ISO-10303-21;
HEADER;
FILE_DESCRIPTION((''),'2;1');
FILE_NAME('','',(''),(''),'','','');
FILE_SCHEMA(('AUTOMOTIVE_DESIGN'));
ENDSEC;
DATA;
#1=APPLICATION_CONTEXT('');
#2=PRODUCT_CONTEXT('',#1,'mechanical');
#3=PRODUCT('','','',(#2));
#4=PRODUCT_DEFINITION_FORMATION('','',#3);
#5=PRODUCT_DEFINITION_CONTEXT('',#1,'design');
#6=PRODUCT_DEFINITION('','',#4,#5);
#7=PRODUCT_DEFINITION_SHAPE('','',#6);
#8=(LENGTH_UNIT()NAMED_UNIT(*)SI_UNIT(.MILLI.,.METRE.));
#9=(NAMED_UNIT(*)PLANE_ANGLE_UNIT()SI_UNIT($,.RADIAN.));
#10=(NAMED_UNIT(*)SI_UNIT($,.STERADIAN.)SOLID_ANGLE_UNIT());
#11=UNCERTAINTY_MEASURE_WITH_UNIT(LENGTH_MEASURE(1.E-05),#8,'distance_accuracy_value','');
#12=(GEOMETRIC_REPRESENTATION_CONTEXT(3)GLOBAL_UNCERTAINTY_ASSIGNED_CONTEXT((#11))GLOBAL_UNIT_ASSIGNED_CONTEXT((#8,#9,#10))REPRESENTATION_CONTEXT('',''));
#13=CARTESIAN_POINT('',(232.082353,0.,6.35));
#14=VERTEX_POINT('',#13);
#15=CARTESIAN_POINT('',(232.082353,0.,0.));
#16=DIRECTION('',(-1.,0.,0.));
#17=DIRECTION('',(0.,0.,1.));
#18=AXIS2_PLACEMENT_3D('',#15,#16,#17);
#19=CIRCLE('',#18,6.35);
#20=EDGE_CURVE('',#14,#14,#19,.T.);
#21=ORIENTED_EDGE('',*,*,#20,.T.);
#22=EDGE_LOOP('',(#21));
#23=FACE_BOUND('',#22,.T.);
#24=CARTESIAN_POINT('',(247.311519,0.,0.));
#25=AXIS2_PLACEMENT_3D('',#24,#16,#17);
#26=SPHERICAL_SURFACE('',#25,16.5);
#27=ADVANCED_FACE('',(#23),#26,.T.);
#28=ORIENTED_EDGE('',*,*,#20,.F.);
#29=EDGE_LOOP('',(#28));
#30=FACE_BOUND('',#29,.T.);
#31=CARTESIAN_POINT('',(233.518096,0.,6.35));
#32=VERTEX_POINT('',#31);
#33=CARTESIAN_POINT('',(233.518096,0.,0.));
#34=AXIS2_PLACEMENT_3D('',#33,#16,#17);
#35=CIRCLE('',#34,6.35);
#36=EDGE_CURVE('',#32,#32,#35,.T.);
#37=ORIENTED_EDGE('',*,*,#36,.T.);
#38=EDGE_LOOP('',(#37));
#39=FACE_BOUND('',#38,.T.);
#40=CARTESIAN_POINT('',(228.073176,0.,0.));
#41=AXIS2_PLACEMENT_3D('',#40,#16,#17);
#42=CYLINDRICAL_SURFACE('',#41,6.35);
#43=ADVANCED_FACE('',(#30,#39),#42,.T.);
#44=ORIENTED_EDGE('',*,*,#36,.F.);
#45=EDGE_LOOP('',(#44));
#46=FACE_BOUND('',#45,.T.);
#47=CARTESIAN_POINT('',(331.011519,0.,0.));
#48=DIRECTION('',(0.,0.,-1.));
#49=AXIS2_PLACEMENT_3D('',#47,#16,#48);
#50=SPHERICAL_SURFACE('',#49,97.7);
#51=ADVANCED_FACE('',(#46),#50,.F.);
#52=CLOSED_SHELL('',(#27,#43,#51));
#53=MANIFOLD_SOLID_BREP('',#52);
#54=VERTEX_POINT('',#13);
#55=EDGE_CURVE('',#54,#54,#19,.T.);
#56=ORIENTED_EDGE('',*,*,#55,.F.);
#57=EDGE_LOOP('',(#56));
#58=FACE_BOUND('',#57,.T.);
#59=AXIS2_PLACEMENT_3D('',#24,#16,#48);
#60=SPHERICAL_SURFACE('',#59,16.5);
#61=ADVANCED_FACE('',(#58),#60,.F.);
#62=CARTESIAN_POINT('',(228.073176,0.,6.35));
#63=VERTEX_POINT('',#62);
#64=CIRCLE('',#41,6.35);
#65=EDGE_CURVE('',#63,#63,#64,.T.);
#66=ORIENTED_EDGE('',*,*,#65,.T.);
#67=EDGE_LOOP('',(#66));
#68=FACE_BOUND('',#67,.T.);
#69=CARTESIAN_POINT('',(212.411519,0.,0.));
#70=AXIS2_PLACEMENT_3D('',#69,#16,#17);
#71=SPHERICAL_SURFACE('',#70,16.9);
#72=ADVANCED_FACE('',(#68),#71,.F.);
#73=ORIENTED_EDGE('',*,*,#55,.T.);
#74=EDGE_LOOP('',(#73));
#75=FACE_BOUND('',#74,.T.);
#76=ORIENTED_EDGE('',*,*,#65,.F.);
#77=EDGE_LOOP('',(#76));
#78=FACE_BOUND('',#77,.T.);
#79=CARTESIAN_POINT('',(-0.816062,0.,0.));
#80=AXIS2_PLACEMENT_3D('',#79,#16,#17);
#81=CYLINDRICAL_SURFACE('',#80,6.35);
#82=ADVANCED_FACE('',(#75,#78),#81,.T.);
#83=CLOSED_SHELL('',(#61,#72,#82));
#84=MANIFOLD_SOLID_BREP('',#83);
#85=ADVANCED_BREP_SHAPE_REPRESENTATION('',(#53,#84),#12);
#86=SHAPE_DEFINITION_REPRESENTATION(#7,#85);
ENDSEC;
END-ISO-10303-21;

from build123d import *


with BuildPart() as part:
    # 草图1 one side → 旋转1 (revolve)
    with BuildSketch(Plane(origin=(0, 0, 0), x_dir=(1, 0, 0), z_dir=(0, 1, 0)), mode=Mode.PRIVATE) as revolve_1_sk:
        with BuildLine():
            Line((232.082353021, 6.35), (228.073176118, 6.35))
            ThreePointArc((228.073176118, 6.35), (228.999044601, 3.234810403), (229.311519118, 0))
            Line((229.311519118, 0), (230.811519118, 0))
            ThreePointArc((230.811519118, 0), (231.132346695, 3.237959188), (232.082353021, 6.35))
        make_face()
    revolve(revolve_1_sk.sketch.rotate(Axis((-0.816062176, 0, 0), (1, 0, 0)), 180), axis=Axis((-0.816062176, 0, 0), (1, 0, 0)))  # turned: the seam where the file's is


with BuildPart() as body_2:
    # 草图2 one side → 旋转3 (revolve)
    with BuildSketch(Plane(origin=(0, 0, 0), x_dir=(1, 0, 0), z_dir=(0, 1, 0)), mode=Mode.PRIVATE) as revolve_3_sk:
        with BuildLine():
            Line((233.518096263, 6.35), (232.082353021, 6.35))
            ThreePointArc((232.082353021, 6.35), (231.132346695, 3.237959188), (230.811519118, 0))
            Line((230.811519118, 0), (233.311519118, 0))
            ThreePointArc((233.311519118, 0), (233.363177061, 3.176679639), (233.518096263, 6.35))
        make_face()
    revolve(revolve_3_sk.sketch.rotate(Axis((228.073176118, 0, 0), (1, 0, 0)), 180), axis=Axis((228.073176118, 0, 0), (1, 0, 0)))  # turned: the seam where the file's is


solid = Compound([part.part, body_2.part])
